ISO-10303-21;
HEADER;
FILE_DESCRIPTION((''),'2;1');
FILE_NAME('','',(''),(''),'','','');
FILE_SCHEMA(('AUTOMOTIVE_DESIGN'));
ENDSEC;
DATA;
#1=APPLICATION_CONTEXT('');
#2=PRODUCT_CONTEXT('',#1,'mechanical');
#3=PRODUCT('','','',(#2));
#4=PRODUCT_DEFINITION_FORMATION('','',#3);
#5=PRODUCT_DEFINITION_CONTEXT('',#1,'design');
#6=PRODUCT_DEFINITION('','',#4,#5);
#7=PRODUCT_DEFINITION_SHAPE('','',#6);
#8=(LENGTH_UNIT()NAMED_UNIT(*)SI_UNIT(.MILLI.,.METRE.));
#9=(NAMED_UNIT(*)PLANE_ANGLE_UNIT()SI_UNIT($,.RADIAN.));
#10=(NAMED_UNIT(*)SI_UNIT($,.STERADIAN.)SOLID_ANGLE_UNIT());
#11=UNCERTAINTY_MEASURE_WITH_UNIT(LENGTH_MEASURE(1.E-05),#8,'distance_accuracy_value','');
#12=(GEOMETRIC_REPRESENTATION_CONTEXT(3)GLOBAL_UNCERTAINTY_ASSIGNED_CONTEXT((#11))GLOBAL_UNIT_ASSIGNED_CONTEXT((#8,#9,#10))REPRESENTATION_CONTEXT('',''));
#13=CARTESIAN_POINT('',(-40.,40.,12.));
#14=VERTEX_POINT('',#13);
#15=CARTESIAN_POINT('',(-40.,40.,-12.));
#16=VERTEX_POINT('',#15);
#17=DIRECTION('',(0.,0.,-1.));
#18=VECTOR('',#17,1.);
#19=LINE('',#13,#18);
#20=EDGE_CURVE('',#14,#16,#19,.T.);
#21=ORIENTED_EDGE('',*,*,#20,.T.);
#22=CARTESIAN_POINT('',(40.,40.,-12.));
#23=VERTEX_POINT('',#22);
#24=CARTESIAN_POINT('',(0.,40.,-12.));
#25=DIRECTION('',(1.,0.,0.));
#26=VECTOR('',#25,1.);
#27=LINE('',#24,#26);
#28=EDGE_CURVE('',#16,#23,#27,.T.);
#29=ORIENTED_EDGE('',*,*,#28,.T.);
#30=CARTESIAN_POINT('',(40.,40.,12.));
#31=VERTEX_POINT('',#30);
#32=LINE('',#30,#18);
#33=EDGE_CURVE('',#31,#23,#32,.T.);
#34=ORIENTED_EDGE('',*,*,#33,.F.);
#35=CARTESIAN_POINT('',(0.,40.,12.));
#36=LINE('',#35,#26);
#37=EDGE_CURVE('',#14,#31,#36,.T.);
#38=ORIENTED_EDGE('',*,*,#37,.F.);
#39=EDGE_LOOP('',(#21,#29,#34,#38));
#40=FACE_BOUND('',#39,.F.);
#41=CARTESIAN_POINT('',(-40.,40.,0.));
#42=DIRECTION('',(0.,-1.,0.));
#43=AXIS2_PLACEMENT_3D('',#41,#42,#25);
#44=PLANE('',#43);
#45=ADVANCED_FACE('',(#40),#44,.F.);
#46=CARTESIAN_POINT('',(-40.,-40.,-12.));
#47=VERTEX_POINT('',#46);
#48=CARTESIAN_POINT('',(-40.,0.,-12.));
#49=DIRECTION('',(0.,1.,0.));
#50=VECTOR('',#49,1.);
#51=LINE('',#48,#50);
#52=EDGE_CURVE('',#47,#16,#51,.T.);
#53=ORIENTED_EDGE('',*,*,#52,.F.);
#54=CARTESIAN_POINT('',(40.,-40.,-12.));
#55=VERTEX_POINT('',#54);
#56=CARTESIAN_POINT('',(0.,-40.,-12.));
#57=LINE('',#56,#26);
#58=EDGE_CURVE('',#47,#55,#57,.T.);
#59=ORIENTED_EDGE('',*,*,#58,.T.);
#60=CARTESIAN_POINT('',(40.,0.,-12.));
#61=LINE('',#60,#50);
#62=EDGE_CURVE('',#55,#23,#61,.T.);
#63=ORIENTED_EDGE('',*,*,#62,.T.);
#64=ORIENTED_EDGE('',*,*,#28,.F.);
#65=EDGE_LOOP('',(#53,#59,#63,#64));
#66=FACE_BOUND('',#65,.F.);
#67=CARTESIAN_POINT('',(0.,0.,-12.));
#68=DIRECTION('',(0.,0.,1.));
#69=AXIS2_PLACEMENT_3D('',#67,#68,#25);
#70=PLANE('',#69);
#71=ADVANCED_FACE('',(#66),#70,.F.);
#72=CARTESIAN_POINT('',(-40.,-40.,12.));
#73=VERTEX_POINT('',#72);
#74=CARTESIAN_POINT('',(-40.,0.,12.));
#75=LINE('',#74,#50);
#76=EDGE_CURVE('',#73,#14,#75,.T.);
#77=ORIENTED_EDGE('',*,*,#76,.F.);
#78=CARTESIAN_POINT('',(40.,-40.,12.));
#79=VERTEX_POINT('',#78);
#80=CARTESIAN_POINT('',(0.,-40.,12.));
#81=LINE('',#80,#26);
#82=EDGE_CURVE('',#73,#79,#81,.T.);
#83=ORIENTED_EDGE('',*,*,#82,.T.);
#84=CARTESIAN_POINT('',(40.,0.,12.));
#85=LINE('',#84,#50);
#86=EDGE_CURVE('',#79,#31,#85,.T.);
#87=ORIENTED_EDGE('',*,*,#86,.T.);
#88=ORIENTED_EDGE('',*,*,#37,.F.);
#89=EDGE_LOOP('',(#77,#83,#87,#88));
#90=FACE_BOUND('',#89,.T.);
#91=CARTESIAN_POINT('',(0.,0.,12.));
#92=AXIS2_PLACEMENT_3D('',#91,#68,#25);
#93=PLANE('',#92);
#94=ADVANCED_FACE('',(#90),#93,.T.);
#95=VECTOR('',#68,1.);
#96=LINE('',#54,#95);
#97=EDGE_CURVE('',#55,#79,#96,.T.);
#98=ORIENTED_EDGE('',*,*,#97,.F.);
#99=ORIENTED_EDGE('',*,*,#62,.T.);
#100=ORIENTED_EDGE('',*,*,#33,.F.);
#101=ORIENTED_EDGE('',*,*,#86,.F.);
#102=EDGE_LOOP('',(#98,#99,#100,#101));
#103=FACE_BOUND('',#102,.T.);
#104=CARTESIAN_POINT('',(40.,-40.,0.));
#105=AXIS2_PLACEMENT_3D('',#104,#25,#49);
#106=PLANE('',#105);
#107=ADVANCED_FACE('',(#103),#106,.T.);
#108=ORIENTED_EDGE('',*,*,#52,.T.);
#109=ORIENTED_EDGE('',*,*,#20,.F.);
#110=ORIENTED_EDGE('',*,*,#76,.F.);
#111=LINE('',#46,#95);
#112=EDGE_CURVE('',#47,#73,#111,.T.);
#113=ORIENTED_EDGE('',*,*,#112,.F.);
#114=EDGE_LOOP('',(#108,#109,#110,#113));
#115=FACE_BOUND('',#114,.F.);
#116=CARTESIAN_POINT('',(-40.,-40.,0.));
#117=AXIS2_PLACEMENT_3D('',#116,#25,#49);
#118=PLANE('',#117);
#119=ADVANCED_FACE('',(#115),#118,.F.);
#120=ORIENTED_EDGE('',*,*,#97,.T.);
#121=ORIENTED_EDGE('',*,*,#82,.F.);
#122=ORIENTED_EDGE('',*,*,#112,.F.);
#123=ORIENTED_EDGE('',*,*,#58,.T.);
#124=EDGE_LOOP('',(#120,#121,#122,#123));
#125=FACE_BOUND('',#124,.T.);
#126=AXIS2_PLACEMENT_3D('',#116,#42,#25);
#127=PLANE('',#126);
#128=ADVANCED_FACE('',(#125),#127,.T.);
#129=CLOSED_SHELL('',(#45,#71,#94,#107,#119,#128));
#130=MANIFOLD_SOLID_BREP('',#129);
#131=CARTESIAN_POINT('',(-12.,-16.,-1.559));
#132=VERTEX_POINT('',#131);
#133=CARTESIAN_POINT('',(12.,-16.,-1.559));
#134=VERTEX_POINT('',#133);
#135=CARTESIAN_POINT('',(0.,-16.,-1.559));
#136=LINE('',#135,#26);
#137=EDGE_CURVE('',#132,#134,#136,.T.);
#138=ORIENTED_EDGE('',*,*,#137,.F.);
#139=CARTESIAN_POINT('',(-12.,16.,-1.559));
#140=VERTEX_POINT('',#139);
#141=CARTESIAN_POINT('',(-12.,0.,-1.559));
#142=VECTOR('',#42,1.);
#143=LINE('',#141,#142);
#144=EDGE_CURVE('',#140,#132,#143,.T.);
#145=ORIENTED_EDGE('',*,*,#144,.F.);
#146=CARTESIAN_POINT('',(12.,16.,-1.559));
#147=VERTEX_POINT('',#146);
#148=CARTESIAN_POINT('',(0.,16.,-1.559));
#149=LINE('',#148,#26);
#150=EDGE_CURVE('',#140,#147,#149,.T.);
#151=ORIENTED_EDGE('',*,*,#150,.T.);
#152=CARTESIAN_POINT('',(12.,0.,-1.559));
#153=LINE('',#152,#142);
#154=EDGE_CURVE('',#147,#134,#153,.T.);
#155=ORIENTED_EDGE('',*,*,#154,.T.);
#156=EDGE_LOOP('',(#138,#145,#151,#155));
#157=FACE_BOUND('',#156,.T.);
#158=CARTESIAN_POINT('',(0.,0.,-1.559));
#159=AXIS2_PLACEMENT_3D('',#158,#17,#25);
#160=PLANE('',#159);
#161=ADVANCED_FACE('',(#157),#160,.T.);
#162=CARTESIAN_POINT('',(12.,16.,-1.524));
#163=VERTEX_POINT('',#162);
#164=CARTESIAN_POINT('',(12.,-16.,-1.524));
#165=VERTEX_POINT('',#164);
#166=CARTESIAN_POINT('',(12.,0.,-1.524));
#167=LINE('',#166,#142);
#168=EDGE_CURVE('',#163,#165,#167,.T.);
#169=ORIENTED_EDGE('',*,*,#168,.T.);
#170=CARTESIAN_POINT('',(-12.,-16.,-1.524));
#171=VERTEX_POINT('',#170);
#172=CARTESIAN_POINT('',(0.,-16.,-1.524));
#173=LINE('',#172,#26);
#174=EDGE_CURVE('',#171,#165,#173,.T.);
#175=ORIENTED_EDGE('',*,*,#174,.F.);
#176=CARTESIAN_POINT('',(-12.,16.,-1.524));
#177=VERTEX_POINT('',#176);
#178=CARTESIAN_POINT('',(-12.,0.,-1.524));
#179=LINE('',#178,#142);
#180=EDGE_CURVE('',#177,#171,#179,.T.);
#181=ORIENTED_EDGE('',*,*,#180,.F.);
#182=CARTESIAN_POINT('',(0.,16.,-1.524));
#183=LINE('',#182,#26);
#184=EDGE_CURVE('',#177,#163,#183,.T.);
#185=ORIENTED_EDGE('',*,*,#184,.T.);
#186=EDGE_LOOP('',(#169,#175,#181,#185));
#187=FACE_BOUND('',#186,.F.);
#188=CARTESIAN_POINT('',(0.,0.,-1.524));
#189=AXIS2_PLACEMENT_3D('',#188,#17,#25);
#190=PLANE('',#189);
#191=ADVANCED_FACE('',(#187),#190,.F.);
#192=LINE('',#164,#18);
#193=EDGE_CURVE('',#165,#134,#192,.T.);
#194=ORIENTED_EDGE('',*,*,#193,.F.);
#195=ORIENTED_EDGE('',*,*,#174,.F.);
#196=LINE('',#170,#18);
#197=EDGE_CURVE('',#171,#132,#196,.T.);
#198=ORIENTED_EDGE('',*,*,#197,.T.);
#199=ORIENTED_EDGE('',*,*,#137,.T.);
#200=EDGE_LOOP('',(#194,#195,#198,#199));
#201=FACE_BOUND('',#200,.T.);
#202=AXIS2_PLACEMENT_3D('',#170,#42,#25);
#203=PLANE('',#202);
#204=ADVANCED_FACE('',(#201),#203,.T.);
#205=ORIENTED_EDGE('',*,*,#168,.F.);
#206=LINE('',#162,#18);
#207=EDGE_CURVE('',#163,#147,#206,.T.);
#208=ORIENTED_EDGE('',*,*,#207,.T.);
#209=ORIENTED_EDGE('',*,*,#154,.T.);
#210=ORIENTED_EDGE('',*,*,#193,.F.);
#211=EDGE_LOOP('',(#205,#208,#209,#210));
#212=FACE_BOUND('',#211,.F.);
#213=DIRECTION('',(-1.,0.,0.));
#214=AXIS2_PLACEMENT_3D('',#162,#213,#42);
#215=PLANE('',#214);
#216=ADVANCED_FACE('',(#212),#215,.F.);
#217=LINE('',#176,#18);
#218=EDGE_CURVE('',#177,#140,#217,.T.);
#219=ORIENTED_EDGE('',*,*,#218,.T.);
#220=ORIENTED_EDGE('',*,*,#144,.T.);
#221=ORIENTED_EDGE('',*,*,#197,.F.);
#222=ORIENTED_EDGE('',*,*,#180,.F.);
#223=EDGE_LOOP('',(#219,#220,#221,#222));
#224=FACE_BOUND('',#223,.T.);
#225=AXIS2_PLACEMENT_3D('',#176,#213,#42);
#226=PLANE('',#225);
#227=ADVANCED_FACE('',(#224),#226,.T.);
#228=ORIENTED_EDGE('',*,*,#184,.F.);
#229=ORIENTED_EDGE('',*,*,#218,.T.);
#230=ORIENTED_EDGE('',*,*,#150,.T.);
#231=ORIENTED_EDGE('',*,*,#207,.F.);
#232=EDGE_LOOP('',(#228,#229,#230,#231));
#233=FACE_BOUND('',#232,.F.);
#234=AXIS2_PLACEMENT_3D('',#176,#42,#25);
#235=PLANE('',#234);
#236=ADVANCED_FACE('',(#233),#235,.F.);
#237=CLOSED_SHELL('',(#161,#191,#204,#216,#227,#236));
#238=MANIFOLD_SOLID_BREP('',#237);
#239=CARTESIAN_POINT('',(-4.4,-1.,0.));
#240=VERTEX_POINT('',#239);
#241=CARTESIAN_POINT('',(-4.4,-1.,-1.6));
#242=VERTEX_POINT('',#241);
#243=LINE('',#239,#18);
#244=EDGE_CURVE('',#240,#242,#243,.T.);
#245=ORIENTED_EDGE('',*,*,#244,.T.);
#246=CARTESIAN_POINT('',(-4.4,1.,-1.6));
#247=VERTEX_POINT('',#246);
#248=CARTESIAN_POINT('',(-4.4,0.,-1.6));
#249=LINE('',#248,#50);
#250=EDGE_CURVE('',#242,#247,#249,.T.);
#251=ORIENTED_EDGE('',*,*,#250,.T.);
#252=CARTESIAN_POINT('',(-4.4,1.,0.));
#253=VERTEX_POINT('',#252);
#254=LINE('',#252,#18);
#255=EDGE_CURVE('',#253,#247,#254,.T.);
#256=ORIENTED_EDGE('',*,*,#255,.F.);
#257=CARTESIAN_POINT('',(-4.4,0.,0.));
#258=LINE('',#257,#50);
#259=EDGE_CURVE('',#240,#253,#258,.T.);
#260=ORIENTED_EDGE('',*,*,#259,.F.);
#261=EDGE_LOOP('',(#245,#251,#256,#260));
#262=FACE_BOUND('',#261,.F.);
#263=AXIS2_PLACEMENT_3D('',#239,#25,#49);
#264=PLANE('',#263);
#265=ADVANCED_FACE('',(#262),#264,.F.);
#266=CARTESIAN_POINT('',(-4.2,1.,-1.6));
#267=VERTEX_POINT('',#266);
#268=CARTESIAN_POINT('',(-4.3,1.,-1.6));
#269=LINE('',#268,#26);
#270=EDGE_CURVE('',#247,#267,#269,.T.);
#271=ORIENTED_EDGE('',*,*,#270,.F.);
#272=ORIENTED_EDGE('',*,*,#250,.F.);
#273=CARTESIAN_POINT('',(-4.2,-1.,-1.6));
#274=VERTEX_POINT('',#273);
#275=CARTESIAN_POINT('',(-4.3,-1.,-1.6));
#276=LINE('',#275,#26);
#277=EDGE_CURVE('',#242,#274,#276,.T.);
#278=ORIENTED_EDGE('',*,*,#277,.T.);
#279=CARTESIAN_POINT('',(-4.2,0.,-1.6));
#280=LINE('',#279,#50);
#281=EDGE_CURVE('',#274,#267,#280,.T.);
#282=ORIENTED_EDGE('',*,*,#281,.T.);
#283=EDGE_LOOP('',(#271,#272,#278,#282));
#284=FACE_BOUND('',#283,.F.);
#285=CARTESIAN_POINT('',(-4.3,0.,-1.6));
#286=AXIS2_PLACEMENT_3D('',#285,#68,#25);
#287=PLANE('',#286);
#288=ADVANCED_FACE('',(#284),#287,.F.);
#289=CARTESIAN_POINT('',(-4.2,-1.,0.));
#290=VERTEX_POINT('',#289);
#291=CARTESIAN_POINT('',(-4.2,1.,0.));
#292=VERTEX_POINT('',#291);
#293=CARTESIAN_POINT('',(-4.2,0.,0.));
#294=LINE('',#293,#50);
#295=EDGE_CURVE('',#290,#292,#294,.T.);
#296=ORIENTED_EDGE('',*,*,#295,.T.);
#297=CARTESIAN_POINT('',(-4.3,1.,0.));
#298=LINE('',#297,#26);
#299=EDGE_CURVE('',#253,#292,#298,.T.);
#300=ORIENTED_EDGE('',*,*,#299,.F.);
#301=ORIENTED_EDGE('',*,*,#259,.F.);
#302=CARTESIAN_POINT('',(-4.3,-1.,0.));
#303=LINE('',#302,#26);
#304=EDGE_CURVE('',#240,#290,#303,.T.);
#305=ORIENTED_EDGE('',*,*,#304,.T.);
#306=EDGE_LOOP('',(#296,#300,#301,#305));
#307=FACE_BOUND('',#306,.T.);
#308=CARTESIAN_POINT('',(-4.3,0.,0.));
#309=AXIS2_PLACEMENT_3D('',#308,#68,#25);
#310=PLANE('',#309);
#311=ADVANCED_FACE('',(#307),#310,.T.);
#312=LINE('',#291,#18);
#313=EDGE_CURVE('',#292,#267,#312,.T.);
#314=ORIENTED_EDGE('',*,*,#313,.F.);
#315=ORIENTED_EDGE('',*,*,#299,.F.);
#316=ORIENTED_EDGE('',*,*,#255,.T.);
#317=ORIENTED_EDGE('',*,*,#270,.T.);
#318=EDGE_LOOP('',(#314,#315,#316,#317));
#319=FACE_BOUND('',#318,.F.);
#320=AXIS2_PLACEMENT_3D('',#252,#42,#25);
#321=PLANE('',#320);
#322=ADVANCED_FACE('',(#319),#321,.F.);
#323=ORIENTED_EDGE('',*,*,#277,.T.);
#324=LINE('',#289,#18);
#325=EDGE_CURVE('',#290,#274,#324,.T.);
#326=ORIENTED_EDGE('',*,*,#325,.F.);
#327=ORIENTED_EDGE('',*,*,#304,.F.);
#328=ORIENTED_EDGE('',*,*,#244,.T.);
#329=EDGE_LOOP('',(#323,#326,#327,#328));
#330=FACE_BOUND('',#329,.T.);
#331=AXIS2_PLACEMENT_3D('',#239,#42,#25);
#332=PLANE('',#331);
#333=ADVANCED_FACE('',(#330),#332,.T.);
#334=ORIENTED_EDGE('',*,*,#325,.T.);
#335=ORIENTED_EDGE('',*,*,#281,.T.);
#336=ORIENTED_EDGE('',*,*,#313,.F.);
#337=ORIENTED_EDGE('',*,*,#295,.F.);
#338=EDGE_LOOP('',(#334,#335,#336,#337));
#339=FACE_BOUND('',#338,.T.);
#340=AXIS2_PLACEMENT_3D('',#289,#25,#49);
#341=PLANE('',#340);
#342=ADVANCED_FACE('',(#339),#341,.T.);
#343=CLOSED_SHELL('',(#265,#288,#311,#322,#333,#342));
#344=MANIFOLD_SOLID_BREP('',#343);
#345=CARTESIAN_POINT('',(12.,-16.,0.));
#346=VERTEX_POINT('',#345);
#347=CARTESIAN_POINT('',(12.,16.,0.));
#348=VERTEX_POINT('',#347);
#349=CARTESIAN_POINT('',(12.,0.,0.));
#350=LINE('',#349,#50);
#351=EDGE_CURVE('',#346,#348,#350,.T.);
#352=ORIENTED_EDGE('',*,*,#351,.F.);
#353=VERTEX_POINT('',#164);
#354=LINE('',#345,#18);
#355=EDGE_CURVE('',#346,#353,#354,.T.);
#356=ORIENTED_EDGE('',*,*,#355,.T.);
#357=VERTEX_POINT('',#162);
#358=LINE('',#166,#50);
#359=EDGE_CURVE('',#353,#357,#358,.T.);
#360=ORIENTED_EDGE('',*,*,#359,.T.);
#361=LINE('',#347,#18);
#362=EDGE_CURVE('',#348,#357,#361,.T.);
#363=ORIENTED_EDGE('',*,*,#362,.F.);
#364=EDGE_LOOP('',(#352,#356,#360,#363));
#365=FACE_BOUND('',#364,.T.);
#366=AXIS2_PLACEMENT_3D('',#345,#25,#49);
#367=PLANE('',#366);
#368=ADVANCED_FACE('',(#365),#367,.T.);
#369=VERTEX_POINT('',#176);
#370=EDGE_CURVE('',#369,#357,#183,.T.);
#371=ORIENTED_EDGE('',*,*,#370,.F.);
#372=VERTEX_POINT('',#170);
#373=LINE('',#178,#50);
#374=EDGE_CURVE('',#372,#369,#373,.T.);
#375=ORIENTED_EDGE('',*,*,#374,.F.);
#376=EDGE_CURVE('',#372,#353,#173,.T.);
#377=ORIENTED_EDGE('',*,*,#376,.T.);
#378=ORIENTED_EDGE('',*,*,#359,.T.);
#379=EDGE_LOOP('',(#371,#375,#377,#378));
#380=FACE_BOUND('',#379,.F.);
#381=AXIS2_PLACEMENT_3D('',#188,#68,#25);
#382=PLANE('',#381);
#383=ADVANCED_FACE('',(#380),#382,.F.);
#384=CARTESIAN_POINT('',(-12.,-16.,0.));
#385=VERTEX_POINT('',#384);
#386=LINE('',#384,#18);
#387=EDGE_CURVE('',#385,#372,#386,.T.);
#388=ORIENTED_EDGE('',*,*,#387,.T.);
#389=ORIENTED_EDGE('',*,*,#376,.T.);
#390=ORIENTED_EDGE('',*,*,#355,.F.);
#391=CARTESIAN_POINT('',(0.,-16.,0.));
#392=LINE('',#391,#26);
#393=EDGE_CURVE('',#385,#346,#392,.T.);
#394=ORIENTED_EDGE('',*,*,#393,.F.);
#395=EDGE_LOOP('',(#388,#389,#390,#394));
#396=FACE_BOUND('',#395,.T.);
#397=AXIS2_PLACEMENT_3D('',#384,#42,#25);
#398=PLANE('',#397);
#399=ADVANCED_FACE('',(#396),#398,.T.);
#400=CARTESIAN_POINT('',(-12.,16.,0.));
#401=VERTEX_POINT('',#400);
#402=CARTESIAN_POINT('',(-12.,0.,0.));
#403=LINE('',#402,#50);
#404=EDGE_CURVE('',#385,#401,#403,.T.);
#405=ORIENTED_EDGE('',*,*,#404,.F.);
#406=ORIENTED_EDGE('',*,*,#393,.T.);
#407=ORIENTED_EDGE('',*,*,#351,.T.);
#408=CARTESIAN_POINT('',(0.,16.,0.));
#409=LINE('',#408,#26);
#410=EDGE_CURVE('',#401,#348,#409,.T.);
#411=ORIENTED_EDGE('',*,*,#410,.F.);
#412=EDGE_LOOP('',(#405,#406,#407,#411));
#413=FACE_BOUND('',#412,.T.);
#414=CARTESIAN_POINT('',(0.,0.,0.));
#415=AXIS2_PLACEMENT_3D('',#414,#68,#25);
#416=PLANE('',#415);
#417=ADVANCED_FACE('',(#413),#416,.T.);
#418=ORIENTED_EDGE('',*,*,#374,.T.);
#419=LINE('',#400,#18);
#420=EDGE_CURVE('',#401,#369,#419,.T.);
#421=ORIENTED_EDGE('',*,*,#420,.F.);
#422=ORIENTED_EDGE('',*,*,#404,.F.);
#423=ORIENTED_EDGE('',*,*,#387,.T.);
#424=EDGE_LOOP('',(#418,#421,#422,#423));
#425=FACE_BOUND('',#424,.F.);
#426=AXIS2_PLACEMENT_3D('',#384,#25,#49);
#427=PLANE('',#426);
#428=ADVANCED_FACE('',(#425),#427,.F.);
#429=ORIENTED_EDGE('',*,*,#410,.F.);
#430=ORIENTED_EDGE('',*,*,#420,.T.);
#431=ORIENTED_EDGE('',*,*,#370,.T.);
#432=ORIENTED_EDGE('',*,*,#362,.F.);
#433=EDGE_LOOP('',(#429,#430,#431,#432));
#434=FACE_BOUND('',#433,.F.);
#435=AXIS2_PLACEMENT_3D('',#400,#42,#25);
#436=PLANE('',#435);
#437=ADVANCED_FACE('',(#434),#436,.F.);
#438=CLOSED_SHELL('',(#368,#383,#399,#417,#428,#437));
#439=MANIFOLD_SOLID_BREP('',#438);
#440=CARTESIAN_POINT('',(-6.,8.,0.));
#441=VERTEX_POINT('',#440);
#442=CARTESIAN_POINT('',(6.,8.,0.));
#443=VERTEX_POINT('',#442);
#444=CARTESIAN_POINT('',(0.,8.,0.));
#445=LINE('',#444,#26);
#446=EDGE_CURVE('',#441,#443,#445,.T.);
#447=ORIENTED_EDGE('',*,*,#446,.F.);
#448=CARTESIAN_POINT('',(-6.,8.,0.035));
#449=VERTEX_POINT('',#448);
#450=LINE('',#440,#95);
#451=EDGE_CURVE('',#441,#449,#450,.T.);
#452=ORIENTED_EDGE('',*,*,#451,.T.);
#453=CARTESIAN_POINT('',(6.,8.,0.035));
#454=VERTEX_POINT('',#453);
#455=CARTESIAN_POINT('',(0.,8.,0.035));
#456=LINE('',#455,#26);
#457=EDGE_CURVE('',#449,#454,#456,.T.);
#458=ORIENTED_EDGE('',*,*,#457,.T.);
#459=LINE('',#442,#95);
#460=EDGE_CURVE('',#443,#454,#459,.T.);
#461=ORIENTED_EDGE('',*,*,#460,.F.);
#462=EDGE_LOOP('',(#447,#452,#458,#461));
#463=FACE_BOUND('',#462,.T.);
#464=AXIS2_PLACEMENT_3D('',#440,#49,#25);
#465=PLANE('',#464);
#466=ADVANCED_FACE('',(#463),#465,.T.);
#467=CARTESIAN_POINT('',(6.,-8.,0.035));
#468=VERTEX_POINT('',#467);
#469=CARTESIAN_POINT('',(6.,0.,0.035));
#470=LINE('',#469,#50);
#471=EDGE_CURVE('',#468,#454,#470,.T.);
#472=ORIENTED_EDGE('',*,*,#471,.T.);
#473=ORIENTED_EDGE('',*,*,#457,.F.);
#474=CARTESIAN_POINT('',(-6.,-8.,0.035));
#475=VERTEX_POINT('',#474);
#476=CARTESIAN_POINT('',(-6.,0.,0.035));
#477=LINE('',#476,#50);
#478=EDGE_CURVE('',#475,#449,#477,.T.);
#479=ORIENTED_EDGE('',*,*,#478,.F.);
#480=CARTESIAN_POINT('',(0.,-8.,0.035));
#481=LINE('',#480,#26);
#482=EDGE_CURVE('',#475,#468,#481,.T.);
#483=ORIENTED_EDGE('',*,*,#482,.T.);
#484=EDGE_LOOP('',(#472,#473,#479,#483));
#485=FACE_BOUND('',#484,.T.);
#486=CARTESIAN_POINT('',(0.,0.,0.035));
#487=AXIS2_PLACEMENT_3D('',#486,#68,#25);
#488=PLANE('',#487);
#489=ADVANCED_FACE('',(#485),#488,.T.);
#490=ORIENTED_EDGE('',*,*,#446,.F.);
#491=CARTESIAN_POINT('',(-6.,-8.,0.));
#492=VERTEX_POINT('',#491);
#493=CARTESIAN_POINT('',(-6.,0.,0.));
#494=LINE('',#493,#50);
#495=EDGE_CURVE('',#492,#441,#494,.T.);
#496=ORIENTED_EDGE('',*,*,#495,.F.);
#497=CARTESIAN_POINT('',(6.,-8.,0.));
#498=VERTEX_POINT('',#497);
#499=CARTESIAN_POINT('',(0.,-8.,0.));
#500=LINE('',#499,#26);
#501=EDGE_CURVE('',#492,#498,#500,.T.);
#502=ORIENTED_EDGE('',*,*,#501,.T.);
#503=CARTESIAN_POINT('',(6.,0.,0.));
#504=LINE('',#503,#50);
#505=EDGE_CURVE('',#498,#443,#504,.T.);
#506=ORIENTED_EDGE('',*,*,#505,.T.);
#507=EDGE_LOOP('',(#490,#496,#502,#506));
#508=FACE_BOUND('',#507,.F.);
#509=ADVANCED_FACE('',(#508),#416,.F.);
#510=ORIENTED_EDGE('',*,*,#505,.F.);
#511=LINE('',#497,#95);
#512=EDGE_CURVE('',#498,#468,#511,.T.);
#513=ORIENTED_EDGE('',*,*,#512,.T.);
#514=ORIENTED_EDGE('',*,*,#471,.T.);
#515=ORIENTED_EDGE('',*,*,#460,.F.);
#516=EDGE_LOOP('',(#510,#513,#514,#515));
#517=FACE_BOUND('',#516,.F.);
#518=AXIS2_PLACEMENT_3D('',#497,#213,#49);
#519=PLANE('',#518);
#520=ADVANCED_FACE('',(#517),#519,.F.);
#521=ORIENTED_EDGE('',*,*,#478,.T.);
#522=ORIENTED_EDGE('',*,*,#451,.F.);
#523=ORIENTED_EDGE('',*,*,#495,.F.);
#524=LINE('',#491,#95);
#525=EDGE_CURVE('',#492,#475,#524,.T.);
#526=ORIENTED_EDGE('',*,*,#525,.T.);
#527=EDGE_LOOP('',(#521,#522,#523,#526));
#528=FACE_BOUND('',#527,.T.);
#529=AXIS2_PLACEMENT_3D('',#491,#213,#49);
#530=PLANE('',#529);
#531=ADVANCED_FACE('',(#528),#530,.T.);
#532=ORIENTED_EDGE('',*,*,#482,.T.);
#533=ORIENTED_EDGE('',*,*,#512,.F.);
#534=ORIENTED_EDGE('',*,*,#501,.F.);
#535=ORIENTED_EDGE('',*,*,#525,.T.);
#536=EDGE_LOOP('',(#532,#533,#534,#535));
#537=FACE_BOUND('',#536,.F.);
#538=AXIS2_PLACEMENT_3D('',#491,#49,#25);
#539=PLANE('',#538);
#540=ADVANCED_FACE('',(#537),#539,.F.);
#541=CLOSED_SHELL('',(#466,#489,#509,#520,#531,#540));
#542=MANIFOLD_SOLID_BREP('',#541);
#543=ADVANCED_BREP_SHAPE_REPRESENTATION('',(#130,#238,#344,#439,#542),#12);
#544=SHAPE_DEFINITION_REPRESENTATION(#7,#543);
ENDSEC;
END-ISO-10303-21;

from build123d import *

# Parameters (mm, degrees)
SKETCH_W         = 12
SKETCH_H         = 16
EXTRUDE_DEPTH    = 0.035
SKETCH001_W      = 24
SKETCH001_H      = 32
EXTRUDE001_DEPTH = 1.524
SKETCH003_W      = 24
SKETCH003_H      = 32
EXTRUDE002_DEPTH = 0.035
SKETCH002_W      = 0.2
SKETCH002_H      = 2
EXTRUDE003_DEPTH = 1.6
SKETCH004_W      = 80
SKETCH004_H      = 80
EXTRUDE004_DEPTH = 12


with BuildPart() as antenna:
    # Sketch → Extrude (new body)
    with BuildSketch(Plane.XY):
        Rectangle(SKETCH_W, SKETCH_H)
    extrude(amount=EXTRUDE_DEPTH)


with BuildPart() as substrate:
    # Sketch001 (on Sketch) → Extrude001 (new body)
    with BuildSketch(Plane.XY):
        Rectangle(SKETCH001_W, SKETCH001_H)
    extrude(amount=-EXTRUDE001_DEPTH)


with BuildPart() as gnd:
    # Sketch003 (on Face6 of Extrude001) → Extrude002 (new body)
    with BuildSketch(Plane(origin=(0, 0, -1.524), x_dir=(1, 0, 0), z_dir=(0, 0, -1))):
        Rectangle(SKETCH003_W, SKETCH003_H)
    extrude(amount=EXTRUDE002_DEPTH)


with BuildPart() as excitation:
    # Sketch002 (on Sketch) → Extrude003 (new body)
    with BuildSketch(Plane.XY):
        with Locations((-4.3, 0)):
            Rectangle(SKETCH002_W, SKETCH002_H)
    extrude(amount=-EXTRUDE003_DEPTH)


with BuildPart() as excitation_1:
    # Extrude003 placement: moved
    add(excitation.part.moved(Location((0, 0, 0.035))))


with BuildPart() as air:
    # Sketch004 → Extrude004 (new body, symmetric)
    with BuildSketch(Plane.XY):
        Rectangle(SKETCH004_W, SKETCH004_H)
    extrude(amount=EXTRUDE004_DEPTH, both=True)


solid = Compound([antenna.part, substrate.part, gnd.part, excitation_1.part, air.part])
